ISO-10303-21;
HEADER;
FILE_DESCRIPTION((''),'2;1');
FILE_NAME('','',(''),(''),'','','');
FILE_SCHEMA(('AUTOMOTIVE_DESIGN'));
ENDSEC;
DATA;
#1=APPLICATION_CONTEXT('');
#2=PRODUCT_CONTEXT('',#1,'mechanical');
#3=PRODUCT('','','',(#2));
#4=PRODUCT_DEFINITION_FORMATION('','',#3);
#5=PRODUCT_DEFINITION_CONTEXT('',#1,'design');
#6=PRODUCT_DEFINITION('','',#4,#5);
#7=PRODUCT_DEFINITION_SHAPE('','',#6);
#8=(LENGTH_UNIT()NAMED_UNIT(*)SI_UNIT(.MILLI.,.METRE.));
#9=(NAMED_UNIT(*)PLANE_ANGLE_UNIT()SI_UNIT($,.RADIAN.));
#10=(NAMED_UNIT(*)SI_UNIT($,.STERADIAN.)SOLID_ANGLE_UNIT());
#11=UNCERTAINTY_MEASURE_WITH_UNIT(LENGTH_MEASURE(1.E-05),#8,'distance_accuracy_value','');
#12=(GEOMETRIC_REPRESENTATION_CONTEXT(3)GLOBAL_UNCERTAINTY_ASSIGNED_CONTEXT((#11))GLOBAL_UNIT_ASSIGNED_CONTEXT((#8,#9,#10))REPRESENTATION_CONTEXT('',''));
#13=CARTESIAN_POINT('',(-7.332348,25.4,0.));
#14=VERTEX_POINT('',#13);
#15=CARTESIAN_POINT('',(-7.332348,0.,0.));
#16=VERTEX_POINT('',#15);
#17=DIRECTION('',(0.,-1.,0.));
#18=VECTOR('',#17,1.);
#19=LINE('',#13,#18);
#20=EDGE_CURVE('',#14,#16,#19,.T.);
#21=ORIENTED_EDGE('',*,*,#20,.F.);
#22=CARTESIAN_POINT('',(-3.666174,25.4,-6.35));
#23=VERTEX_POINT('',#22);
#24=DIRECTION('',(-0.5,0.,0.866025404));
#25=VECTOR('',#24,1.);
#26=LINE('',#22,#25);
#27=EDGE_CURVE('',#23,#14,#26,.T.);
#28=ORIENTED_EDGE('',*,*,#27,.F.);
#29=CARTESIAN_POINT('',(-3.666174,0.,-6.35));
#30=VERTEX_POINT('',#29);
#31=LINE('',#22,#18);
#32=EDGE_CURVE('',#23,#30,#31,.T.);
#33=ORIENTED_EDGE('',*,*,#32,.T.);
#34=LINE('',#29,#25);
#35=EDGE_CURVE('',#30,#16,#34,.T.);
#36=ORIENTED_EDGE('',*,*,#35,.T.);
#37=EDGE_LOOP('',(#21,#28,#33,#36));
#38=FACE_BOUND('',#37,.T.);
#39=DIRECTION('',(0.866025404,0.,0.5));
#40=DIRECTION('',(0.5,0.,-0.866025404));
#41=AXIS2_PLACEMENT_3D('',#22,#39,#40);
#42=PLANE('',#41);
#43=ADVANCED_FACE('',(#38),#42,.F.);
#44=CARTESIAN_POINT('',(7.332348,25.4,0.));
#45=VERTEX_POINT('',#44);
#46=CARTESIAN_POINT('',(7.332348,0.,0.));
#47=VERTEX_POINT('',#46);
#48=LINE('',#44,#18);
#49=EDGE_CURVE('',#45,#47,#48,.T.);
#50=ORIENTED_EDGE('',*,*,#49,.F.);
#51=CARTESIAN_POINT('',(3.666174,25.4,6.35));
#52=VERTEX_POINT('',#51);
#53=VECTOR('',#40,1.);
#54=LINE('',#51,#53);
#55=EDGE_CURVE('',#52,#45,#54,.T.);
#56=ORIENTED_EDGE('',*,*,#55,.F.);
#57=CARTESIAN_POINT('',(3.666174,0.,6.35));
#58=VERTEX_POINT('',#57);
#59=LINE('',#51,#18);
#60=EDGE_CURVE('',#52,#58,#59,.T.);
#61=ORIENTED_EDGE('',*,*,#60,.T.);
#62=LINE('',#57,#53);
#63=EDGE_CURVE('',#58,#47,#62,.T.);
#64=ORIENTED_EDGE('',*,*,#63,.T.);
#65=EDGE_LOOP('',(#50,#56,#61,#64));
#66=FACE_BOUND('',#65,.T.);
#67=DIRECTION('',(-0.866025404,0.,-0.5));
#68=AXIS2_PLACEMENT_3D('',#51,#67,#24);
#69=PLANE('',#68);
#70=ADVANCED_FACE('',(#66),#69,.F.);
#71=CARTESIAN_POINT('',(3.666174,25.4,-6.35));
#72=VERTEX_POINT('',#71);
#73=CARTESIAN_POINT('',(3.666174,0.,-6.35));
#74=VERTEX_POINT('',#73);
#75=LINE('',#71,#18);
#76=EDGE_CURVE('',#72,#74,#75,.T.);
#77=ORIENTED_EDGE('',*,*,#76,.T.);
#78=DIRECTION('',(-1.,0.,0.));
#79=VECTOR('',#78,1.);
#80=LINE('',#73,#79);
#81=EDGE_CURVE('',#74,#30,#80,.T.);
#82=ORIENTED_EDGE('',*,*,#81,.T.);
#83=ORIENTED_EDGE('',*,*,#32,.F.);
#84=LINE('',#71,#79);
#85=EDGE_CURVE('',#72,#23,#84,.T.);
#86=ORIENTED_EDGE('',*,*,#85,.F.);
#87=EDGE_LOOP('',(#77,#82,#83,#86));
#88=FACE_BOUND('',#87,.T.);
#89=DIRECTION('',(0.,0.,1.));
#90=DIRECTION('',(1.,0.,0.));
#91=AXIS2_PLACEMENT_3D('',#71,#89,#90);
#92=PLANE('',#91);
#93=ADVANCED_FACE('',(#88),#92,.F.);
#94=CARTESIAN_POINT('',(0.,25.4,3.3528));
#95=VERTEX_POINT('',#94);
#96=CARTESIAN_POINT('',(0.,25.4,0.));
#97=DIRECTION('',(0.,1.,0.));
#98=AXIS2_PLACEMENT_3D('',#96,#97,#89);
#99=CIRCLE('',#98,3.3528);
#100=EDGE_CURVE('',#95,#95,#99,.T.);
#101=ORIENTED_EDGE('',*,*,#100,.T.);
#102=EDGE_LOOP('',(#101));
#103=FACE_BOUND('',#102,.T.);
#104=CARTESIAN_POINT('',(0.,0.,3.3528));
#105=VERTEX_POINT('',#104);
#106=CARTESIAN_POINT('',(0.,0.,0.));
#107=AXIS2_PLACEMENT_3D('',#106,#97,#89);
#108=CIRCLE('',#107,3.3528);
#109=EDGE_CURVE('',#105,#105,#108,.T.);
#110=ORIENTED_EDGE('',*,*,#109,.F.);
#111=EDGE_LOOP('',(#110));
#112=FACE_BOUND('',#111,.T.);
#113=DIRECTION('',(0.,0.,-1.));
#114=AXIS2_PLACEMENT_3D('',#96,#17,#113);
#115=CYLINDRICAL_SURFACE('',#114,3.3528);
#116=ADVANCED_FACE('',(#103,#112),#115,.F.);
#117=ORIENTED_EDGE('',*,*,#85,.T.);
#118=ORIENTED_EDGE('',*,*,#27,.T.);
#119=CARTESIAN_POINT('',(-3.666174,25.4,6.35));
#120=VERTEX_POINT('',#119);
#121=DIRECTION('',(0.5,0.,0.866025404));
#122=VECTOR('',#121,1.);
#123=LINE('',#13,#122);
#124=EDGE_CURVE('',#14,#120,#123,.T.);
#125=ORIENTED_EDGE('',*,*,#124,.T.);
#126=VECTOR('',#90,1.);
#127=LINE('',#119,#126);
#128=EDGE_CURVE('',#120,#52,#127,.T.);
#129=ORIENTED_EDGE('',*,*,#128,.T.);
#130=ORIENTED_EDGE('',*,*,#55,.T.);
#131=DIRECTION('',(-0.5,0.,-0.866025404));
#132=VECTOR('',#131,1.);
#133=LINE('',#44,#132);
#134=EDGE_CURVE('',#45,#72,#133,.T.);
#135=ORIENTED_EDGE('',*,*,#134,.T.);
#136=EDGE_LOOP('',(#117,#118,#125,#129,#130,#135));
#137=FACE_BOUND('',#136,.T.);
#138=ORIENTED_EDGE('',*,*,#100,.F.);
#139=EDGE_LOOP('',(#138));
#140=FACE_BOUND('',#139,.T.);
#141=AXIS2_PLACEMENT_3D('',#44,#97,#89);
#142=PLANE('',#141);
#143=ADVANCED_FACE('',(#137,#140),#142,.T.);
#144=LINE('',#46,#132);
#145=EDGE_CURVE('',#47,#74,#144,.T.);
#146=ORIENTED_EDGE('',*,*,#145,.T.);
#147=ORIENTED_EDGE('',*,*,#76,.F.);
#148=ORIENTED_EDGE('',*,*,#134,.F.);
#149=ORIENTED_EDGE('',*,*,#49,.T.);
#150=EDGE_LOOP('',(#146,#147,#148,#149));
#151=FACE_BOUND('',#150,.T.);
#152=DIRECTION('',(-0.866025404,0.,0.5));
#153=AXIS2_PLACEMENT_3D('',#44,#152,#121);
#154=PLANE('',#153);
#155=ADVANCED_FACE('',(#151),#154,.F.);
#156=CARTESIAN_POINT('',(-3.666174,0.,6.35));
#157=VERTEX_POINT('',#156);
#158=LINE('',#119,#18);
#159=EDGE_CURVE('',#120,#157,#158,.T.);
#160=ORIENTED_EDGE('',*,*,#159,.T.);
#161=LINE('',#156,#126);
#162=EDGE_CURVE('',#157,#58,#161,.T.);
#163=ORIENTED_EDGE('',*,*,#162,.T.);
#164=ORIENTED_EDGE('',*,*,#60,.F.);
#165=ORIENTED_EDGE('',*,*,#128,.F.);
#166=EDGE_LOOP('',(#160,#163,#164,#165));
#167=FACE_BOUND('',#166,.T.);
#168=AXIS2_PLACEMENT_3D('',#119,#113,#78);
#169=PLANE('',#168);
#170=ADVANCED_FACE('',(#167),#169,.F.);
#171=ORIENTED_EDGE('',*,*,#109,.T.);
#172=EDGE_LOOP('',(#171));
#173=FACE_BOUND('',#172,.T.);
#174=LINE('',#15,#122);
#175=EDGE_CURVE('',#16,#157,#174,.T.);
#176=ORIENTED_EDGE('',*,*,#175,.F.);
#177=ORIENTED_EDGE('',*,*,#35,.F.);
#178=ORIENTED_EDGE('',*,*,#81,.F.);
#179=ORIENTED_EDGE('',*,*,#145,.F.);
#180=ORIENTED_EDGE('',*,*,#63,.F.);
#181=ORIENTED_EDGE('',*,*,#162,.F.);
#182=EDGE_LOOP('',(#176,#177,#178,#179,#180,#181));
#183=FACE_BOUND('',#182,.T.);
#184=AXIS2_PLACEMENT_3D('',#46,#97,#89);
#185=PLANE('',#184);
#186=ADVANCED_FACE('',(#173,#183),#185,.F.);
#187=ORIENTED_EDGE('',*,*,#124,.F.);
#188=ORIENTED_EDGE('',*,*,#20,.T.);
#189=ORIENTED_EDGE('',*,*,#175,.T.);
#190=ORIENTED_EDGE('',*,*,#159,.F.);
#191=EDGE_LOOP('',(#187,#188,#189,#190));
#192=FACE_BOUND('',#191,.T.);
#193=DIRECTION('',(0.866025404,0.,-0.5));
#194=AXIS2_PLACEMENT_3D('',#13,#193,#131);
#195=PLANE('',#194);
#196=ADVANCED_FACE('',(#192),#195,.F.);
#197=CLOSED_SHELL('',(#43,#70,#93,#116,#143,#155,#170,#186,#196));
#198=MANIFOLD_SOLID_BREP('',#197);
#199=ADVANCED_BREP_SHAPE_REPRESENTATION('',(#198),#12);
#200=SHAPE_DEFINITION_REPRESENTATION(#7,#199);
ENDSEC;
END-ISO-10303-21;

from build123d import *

# Parameters (mm, degrees)
SKETCH1_R           = 3.3528
BOSS_EXTRUDE1_DEPTH = 25.4


with BuildPart() as part:
    # Sketch1 → Boss-Extrude1 (new body)
    with BuildSketch(Plane(origin=(0, 0, 0), x_dir=(1, 0, 0), z_dir=(0, 1, 0))):
        Polygon((7.332348419, 0), (3.666174209, 6.35), (-3.666174209, 6.35), (-7.332348419, 0), (-3.666174209, -6.35), (3.666174209, -6.35), align=None)
        Circle(SKETCH1_R, mode=Mode.SUBTRACT)
    extrude(amount=BOSS_EXTRUDE1_DEPTH)


solid = part.part
